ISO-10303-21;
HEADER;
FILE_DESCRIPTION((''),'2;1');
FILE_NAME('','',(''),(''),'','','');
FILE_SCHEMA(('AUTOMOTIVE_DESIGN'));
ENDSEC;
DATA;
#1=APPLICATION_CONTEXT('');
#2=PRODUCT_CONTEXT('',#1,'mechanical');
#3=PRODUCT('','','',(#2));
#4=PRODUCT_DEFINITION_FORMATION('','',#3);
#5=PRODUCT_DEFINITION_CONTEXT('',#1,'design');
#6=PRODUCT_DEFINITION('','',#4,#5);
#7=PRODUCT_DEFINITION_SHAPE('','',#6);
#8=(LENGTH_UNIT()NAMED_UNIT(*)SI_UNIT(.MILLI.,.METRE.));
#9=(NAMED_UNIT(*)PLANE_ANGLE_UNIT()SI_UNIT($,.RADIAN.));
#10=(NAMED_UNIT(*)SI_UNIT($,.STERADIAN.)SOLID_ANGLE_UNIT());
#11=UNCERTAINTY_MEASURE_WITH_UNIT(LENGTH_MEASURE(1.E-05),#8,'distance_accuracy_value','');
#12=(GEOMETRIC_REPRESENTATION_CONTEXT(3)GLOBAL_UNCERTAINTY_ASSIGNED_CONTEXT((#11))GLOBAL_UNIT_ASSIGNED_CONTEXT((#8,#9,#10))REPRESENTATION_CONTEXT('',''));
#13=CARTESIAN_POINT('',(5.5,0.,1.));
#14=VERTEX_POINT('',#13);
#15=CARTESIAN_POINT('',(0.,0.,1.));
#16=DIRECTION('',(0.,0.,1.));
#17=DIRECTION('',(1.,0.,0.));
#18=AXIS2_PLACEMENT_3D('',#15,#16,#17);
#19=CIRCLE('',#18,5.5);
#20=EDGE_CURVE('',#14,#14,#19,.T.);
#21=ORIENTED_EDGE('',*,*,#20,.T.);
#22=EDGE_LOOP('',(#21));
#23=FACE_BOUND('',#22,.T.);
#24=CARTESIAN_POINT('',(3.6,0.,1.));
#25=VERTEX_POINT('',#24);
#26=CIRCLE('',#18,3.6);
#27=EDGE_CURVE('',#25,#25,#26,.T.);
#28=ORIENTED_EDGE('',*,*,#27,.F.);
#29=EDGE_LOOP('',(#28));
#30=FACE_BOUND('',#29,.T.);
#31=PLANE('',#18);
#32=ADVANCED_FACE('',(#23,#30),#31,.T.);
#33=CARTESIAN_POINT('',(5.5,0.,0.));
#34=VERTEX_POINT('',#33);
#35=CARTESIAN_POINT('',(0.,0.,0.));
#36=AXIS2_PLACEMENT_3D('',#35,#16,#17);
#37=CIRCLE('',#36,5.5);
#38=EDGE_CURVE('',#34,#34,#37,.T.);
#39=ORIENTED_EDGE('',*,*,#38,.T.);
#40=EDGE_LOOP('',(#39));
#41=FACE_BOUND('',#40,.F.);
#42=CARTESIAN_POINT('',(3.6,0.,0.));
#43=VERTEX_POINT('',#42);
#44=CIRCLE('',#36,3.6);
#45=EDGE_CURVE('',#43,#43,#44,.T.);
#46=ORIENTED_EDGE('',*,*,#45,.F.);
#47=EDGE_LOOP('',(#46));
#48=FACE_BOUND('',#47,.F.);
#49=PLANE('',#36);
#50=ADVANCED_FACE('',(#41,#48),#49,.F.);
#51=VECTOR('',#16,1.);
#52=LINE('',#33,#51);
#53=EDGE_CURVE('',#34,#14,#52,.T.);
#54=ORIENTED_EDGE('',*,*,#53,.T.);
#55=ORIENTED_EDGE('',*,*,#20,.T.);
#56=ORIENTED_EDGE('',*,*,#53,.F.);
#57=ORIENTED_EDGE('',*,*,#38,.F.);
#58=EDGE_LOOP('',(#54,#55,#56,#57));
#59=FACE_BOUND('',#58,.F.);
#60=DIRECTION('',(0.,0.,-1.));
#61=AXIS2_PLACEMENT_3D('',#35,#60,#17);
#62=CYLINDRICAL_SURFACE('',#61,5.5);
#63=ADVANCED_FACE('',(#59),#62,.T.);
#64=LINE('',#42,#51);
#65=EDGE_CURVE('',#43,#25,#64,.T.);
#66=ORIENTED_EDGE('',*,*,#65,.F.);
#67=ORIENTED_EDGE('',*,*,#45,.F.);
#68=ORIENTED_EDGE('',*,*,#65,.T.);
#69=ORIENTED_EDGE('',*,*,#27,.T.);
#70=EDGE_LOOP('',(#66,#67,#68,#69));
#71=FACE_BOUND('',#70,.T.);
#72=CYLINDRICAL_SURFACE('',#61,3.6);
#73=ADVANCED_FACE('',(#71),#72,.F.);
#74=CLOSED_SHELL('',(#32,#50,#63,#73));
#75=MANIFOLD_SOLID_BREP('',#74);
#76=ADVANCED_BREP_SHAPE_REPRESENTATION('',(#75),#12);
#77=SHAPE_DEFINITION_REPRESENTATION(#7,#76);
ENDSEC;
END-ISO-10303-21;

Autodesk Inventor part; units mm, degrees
ref_plane "YZ Plane" through (0, 0, 0) normal (1, 0, 0) x (0, 1, 0)
ref_plane "XZ Plane" through (0, 0, 0) normal (0, 1, 0) x (-1, 0, 0)
ref_plane "XY Plane" through (0, 0, 0) normal (0, 0, 1) x (1, 0, 0)
sketch "スケッチ1" plane through (0, 0, 0) normal (0, 0, 1) x (1, 0, 0)
  circle A0 centre (0, 0) radius 3.6
  circle A1 centre (0, 0) radius 5.5
  dimension "d0" = 7.2
  dimension "d1" = 11
extrude "押し出し1" add sketch "スケッチ1" along normal blind 1
properties part number "LL-7211-10"
